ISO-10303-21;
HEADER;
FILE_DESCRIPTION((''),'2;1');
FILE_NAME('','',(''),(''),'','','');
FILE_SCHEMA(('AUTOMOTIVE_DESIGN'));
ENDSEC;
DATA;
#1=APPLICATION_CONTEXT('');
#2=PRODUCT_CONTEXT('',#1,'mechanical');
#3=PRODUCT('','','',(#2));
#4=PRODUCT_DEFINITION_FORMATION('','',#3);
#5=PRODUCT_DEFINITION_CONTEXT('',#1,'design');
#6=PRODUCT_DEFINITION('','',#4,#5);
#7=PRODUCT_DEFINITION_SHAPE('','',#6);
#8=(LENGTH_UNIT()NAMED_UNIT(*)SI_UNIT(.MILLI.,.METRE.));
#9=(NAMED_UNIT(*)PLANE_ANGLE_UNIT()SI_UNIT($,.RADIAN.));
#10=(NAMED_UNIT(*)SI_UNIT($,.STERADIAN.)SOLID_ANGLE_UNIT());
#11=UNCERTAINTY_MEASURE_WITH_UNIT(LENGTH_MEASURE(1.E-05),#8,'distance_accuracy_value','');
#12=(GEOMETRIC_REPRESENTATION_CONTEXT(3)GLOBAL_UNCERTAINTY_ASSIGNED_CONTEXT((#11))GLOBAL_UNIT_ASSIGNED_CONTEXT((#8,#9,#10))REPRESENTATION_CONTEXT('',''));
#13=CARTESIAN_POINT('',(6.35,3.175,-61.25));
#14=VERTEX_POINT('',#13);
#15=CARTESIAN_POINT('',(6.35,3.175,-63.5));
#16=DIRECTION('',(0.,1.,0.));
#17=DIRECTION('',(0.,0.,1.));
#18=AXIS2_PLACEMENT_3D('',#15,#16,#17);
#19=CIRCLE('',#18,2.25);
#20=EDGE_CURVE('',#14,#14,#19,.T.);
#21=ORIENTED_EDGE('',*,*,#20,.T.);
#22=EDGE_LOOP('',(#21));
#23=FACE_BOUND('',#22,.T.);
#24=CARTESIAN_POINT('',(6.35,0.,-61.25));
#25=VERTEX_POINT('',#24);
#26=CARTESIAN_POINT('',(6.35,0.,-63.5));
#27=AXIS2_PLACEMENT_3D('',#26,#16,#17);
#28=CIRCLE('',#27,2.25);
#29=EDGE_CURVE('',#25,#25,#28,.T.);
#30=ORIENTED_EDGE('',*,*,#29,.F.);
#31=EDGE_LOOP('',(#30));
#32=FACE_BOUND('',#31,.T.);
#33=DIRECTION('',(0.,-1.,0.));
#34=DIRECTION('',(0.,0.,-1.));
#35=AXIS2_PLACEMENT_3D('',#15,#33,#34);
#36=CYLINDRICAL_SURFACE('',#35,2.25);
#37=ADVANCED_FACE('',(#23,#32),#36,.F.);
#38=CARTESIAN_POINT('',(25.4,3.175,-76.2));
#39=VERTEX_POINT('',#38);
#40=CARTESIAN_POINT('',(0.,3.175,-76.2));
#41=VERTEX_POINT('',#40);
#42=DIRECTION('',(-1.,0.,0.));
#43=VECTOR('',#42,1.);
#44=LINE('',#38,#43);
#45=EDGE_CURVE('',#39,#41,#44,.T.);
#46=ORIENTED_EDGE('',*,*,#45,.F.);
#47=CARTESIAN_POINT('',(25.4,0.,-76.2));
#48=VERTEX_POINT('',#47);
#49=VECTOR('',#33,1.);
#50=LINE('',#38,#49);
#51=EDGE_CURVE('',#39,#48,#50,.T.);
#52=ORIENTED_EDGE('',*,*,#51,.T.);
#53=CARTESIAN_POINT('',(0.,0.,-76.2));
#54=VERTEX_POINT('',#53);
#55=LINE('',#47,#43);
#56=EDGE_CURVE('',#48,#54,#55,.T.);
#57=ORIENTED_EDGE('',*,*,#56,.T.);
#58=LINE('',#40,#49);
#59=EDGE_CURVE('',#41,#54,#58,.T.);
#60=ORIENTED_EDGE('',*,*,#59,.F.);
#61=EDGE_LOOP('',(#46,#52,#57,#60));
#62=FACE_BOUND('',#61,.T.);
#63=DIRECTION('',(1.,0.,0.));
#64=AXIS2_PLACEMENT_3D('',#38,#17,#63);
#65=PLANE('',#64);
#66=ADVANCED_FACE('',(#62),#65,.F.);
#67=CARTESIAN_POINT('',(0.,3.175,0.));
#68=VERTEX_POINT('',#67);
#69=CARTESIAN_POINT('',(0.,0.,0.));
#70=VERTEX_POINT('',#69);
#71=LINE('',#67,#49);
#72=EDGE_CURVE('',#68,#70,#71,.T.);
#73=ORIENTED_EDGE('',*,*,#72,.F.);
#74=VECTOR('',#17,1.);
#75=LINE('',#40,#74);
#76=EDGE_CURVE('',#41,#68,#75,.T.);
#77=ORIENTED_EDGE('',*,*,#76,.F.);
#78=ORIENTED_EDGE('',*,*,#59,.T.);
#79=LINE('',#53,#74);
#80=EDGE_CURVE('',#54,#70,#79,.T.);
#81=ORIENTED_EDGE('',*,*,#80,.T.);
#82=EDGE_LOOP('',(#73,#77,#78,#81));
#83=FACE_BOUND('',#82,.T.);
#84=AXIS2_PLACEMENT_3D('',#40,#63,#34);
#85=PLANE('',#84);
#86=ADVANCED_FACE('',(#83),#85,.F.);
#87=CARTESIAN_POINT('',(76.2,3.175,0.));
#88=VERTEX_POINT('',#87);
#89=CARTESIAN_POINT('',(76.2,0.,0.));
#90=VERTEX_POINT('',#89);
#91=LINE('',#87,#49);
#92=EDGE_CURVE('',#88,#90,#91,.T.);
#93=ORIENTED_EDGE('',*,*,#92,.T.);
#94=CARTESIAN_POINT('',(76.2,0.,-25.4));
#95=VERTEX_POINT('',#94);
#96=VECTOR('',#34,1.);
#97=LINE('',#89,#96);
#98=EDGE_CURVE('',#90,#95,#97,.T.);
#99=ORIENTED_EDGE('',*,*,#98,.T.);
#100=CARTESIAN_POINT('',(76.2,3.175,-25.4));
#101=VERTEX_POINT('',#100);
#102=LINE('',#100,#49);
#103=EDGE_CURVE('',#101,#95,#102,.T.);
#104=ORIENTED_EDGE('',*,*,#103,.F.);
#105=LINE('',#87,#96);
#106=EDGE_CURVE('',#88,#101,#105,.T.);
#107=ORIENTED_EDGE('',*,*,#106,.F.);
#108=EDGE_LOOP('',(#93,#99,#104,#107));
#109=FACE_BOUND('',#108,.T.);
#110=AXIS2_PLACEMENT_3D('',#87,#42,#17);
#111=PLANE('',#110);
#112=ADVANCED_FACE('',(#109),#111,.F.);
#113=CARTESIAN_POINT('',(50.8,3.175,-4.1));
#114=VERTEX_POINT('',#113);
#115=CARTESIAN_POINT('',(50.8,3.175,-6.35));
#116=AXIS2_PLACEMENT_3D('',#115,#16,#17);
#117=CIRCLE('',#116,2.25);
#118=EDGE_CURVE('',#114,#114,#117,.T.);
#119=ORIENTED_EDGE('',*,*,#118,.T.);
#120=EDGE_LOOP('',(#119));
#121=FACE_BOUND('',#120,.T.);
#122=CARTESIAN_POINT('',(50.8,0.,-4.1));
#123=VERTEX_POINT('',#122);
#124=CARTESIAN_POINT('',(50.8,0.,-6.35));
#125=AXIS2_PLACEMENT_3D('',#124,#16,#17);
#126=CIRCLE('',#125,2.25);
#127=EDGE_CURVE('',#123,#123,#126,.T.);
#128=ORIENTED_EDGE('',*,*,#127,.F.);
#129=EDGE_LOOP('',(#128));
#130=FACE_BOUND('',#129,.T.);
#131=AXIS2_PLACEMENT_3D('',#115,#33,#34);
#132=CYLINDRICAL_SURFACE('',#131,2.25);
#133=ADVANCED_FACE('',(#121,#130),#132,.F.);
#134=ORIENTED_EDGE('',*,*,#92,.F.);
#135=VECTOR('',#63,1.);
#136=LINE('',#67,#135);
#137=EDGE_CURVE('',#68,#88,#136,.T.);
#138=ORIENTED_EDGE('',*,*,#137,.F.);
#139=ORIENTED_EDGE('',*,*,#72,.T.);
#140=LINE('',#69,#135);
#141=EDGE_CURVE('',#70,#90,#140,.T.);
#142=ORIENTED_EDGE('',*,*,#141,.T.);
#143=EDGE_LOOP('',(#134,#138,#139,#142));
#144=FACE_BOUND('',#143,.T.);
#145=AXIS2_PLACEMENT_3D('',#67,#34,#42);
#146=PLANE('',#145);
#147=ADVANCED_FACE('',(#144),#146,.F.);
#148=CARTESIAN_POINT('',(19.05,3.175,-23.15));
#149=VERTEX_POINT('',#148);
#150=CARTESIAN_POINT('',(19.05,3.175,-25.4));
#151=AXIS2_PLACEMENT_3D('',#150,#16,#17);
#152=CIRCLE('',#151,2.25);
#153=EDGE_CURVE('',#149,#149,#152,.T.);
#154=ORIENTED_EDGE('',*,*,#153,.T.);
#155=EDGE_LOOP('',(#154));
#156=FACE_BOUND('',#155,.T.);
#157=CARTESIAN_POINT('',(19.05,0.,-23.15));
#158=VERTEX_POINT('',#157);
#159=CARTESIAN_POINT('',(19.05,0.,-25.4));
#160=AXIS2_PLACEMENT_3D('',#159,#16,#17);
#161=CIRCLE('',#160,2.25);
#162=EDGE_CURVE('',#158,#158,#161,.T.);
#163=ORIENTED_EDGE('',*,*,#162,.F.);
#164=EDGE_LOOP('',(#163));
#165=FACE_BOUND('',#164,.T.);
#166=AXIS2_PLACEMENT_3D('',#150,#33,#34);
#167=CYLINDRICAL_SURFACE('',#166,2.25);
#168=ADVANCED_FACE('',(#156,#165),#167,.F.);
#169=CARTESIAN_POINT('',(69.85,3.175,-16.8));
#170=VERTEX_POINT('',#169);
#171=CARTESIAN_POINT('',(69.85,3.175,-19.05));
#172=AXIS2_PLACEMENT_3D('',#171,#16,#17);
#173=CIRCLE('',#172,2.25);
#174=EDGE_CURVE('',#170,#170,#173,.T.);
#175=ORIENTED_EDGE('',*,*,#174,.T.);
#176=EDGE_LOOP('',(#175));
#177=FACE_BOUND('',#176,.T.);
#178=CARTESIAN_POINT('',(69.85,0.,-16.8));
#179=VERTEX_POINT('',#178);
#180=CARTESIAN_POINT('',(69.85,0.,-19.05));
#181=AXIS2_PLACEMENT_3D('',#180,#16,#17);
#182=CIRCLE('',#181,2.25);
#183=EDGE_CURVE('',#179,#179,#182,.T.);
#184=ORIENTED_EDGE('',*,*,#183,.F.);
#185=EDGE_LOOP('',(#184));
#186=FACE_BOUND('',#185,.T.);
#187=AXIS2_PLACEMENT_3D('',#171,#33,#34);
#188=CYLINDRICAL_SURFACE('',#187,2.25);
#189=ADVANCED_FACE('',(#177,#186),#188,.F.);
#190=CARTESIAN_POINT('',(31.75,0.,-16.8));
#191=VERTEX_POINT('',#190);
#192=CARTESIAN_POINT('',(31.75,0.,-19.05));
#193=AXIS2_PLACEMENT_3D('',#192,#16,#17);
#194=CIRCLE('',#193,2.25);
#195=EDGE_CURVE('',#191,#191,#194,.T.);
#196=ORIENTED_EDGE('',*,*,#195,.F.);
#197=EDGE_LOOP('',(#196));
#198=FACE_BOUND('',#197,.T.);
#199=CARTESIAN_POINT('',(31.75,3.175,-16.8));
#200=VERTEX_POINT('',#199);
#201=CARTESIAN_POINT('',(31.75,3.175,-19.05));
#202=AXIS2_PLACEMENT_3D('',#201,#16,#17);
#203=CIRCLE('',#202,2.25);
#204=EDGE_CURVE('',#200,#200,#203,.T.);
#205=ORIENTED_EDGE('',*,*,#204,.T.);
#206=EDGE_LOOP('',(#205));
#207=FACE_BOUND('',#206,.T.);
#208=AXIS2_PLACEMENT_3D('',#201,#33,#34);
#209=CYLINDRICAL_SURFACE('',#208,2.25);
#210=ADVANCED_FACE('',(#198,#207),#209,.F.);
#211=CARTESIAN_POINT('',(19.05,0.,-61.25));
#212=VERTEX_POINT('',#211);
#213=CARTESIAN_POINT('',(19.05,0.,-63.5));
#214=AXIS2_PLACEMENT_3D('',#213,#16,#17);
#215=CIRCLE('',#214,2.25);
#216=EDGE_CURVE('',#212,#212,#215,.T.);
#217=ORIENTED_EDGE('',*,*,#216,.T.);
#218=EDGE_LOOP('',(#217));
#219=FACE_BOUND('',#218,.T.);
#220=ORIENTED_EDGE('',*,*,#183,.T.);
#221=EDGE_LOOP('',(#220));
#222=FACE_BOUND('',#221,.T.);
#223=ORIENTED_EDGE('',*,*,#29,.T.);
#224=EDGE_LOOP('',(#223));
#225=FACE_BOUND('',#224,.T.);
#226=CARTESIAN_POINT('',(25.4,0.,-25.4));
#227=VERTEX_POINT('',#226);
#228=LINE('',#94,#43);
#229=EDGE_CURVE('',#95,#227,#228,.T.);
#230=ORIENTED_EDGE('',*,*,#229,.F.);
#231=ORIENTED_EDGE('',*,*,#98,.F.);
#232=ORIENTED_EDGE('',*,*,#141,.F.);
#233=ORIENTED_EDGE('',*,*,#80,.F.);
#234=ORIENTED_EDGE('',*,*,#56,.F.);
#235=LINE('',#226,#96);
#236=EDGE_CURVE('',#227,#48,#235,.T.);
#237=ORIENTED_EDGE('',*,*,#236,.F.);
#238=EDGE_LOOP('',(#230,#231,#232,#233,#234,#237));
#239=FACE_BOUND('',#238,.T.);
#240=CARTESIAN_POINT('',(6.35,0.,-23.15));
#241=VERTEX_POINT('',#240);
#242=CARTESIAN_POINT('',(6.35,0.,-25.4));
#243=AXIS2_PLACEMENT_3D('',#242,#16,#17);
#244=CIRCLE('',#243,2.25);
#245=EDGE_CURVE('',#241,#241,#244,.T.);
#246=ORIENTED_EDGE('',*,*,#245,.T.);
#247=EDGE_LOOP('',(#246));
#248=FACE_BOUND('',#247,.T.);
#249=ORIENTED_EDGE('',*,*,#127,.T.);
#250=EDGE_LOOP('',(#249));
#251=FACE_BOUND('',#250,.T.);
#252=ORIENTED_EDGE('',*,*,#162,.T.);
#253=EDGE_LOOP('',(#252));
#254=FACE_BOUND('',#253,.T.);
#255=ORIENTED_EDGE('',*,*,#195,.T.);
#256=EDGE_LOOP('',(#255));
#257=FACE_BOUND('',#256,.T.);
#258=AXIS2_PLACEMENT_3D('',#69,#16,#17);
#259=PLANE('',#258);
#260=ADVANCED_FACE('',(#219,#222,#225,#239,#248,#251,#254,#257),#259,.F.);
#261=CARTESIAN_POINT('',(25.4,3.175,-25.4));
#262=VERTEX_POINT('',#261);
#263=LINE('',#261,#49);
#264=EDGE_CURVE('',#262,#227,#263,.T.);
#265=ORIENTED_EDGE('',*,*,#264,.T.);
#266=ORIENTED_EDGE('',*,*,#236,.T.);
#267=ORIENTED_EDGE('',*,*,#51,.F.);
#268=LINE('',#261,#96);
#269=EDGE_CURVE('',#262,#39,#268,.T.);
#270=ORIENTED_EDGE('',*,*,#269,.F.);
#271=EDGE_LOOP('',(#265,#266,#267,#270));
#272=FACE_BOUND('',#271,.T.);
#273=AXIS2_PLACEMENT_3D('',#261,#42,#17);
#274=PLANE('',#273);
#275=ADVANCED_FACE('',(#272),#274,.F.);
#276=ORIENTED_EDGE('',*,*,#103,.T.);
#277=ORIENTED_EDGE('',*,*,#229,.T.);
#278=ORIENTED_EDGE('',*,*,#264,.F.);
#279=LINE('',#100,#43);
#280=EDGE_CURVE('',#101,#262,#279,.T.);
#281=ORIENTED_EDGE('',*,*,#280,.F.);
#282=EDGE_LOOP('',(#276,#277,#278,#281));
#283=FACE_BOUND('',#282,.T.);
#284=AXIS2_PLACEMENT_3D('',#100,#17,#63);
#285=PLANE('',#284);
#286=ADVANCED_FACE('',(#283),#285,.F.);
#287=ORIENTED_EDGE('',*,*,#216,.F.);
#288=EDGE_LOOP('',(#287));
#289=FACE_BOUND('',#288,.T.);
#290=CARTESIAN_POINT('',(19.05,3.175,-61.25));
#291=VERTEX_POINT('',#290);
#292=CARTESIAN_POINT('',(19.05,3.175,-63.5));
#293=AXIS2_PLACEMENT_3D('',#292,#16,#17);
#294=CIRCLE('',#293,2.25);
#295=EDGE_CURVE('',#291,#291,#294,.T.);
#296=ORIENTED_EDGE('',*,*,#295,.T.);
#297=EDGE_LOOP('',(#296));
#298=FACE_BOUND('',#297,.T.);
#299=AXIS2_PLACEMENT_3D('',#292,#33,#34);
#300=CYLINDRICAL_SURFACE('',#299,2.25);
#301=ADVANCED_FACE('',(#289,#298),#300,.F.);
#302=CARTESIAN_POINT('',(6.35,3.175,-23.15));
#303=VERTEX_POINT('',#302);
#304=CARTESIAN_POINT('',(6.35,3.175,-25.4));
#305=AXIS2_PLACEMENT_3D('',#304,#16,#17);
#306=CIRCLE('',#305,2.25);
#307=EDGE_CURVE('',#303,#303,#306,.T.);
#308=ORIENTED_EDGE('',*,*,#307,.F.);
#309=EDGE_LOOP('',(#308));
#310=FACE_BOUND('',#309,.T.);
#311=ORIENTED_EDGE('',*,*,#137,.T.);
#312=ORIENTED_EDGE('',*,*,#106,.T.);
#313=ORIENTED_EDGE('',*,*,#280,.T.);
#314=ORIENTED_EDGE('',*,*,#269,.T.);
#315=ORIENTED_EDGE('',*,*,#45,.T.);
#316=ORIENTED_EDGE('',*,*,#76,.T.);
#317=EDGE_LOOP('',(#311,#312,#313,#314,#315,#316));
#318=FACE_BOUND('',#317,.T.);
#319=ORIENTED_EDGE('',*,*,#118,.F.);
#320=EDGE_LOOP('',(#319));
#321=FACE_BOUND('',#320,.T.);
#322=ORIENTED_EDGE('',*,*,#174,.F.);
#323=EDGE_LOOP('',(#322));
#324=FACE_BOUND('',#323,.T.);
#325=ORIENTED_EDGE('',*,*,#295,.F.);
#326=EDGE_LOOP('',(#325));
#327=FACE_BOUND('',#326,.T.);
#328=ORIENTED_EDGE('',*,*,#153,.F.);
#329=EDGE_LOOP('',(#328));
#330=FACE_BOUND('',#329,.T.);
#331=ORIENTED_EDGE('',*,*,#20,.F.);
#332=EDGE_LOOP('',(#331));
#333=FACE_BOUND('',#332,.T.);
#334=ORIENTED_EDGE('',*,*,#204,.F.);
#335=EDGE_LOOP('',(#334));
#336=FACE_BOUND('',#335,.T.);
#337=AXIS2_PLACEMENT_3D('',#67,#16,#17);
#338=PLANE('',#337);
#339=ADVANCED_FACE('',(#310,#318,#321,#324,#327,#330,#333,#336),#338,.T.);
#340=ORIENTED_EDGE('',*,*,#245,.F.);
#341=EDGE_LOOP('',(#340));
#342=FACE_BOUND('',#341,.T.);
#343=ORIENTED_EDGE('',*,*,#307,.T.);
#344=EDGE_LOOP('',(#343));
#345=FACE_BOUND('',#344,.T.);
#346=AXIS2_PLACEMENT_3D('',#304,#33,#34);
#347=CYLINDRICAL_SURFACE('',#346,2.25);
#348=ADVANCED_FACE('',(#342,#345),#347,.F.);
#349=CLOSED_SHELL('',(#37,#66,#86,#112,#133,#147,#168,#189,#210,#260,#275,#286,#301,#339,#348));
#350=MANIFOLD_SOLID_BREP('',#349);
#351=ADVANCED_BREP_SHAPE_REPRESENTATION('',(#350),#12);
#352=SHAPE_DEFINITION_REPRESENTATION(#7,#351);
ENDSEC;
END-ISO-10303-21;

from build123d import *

# Parameters (mm, degrees)
SKETCH1_R           = 2.25
BOSS_EXTRUDE1_DEPTH = 3.175


with BuildPart() as part:
    # Sketch1 → Boss-Extrude1 (new body)
    with BuildSketch(Plane(origin=(0, 0, 0), x_dir=(1, 0, 0), z_dir=(0, 1, 0))):
        Polygon((0, 0), (76.2, 0), (76.2, 25.4), (25.4, 25.4), (25.4, 76.2), (0, 76.2), align=None)
        with Locations((31.75, 19.05)):
            Circle(SKETCH1_R, mode=Mode.SUBTRACT)
        with Locations((69.85, 19.05)):
            Circle(SKETCH1_R, mode=Mode.SUBTRACT)
        with Locations((50.8, 6.35)):
            Circle(SKETCH1_R, mode=Mode.SUBTRACT)
        with Locations((19.05, 63.5)):
            Circle(SKETCH1_R, mode=Mode.SUBTRACT)
        with Locations((19.05, 25.4)):
            Circle(SKETCH1_R, mode=Mode.SUBTRACT)
        with Locations((6.35, 25.4)):
            Circle(SKETCH1_R, mode=Mode.SUBTRACT)
        with Locations((6.35, 63.5)):
            Circle(SKETCH1_R, mode=Mode.SUBTRACT)
    extrude(amount=BOSS_EXTRUDE1_DEPTH)


solid = part.part
